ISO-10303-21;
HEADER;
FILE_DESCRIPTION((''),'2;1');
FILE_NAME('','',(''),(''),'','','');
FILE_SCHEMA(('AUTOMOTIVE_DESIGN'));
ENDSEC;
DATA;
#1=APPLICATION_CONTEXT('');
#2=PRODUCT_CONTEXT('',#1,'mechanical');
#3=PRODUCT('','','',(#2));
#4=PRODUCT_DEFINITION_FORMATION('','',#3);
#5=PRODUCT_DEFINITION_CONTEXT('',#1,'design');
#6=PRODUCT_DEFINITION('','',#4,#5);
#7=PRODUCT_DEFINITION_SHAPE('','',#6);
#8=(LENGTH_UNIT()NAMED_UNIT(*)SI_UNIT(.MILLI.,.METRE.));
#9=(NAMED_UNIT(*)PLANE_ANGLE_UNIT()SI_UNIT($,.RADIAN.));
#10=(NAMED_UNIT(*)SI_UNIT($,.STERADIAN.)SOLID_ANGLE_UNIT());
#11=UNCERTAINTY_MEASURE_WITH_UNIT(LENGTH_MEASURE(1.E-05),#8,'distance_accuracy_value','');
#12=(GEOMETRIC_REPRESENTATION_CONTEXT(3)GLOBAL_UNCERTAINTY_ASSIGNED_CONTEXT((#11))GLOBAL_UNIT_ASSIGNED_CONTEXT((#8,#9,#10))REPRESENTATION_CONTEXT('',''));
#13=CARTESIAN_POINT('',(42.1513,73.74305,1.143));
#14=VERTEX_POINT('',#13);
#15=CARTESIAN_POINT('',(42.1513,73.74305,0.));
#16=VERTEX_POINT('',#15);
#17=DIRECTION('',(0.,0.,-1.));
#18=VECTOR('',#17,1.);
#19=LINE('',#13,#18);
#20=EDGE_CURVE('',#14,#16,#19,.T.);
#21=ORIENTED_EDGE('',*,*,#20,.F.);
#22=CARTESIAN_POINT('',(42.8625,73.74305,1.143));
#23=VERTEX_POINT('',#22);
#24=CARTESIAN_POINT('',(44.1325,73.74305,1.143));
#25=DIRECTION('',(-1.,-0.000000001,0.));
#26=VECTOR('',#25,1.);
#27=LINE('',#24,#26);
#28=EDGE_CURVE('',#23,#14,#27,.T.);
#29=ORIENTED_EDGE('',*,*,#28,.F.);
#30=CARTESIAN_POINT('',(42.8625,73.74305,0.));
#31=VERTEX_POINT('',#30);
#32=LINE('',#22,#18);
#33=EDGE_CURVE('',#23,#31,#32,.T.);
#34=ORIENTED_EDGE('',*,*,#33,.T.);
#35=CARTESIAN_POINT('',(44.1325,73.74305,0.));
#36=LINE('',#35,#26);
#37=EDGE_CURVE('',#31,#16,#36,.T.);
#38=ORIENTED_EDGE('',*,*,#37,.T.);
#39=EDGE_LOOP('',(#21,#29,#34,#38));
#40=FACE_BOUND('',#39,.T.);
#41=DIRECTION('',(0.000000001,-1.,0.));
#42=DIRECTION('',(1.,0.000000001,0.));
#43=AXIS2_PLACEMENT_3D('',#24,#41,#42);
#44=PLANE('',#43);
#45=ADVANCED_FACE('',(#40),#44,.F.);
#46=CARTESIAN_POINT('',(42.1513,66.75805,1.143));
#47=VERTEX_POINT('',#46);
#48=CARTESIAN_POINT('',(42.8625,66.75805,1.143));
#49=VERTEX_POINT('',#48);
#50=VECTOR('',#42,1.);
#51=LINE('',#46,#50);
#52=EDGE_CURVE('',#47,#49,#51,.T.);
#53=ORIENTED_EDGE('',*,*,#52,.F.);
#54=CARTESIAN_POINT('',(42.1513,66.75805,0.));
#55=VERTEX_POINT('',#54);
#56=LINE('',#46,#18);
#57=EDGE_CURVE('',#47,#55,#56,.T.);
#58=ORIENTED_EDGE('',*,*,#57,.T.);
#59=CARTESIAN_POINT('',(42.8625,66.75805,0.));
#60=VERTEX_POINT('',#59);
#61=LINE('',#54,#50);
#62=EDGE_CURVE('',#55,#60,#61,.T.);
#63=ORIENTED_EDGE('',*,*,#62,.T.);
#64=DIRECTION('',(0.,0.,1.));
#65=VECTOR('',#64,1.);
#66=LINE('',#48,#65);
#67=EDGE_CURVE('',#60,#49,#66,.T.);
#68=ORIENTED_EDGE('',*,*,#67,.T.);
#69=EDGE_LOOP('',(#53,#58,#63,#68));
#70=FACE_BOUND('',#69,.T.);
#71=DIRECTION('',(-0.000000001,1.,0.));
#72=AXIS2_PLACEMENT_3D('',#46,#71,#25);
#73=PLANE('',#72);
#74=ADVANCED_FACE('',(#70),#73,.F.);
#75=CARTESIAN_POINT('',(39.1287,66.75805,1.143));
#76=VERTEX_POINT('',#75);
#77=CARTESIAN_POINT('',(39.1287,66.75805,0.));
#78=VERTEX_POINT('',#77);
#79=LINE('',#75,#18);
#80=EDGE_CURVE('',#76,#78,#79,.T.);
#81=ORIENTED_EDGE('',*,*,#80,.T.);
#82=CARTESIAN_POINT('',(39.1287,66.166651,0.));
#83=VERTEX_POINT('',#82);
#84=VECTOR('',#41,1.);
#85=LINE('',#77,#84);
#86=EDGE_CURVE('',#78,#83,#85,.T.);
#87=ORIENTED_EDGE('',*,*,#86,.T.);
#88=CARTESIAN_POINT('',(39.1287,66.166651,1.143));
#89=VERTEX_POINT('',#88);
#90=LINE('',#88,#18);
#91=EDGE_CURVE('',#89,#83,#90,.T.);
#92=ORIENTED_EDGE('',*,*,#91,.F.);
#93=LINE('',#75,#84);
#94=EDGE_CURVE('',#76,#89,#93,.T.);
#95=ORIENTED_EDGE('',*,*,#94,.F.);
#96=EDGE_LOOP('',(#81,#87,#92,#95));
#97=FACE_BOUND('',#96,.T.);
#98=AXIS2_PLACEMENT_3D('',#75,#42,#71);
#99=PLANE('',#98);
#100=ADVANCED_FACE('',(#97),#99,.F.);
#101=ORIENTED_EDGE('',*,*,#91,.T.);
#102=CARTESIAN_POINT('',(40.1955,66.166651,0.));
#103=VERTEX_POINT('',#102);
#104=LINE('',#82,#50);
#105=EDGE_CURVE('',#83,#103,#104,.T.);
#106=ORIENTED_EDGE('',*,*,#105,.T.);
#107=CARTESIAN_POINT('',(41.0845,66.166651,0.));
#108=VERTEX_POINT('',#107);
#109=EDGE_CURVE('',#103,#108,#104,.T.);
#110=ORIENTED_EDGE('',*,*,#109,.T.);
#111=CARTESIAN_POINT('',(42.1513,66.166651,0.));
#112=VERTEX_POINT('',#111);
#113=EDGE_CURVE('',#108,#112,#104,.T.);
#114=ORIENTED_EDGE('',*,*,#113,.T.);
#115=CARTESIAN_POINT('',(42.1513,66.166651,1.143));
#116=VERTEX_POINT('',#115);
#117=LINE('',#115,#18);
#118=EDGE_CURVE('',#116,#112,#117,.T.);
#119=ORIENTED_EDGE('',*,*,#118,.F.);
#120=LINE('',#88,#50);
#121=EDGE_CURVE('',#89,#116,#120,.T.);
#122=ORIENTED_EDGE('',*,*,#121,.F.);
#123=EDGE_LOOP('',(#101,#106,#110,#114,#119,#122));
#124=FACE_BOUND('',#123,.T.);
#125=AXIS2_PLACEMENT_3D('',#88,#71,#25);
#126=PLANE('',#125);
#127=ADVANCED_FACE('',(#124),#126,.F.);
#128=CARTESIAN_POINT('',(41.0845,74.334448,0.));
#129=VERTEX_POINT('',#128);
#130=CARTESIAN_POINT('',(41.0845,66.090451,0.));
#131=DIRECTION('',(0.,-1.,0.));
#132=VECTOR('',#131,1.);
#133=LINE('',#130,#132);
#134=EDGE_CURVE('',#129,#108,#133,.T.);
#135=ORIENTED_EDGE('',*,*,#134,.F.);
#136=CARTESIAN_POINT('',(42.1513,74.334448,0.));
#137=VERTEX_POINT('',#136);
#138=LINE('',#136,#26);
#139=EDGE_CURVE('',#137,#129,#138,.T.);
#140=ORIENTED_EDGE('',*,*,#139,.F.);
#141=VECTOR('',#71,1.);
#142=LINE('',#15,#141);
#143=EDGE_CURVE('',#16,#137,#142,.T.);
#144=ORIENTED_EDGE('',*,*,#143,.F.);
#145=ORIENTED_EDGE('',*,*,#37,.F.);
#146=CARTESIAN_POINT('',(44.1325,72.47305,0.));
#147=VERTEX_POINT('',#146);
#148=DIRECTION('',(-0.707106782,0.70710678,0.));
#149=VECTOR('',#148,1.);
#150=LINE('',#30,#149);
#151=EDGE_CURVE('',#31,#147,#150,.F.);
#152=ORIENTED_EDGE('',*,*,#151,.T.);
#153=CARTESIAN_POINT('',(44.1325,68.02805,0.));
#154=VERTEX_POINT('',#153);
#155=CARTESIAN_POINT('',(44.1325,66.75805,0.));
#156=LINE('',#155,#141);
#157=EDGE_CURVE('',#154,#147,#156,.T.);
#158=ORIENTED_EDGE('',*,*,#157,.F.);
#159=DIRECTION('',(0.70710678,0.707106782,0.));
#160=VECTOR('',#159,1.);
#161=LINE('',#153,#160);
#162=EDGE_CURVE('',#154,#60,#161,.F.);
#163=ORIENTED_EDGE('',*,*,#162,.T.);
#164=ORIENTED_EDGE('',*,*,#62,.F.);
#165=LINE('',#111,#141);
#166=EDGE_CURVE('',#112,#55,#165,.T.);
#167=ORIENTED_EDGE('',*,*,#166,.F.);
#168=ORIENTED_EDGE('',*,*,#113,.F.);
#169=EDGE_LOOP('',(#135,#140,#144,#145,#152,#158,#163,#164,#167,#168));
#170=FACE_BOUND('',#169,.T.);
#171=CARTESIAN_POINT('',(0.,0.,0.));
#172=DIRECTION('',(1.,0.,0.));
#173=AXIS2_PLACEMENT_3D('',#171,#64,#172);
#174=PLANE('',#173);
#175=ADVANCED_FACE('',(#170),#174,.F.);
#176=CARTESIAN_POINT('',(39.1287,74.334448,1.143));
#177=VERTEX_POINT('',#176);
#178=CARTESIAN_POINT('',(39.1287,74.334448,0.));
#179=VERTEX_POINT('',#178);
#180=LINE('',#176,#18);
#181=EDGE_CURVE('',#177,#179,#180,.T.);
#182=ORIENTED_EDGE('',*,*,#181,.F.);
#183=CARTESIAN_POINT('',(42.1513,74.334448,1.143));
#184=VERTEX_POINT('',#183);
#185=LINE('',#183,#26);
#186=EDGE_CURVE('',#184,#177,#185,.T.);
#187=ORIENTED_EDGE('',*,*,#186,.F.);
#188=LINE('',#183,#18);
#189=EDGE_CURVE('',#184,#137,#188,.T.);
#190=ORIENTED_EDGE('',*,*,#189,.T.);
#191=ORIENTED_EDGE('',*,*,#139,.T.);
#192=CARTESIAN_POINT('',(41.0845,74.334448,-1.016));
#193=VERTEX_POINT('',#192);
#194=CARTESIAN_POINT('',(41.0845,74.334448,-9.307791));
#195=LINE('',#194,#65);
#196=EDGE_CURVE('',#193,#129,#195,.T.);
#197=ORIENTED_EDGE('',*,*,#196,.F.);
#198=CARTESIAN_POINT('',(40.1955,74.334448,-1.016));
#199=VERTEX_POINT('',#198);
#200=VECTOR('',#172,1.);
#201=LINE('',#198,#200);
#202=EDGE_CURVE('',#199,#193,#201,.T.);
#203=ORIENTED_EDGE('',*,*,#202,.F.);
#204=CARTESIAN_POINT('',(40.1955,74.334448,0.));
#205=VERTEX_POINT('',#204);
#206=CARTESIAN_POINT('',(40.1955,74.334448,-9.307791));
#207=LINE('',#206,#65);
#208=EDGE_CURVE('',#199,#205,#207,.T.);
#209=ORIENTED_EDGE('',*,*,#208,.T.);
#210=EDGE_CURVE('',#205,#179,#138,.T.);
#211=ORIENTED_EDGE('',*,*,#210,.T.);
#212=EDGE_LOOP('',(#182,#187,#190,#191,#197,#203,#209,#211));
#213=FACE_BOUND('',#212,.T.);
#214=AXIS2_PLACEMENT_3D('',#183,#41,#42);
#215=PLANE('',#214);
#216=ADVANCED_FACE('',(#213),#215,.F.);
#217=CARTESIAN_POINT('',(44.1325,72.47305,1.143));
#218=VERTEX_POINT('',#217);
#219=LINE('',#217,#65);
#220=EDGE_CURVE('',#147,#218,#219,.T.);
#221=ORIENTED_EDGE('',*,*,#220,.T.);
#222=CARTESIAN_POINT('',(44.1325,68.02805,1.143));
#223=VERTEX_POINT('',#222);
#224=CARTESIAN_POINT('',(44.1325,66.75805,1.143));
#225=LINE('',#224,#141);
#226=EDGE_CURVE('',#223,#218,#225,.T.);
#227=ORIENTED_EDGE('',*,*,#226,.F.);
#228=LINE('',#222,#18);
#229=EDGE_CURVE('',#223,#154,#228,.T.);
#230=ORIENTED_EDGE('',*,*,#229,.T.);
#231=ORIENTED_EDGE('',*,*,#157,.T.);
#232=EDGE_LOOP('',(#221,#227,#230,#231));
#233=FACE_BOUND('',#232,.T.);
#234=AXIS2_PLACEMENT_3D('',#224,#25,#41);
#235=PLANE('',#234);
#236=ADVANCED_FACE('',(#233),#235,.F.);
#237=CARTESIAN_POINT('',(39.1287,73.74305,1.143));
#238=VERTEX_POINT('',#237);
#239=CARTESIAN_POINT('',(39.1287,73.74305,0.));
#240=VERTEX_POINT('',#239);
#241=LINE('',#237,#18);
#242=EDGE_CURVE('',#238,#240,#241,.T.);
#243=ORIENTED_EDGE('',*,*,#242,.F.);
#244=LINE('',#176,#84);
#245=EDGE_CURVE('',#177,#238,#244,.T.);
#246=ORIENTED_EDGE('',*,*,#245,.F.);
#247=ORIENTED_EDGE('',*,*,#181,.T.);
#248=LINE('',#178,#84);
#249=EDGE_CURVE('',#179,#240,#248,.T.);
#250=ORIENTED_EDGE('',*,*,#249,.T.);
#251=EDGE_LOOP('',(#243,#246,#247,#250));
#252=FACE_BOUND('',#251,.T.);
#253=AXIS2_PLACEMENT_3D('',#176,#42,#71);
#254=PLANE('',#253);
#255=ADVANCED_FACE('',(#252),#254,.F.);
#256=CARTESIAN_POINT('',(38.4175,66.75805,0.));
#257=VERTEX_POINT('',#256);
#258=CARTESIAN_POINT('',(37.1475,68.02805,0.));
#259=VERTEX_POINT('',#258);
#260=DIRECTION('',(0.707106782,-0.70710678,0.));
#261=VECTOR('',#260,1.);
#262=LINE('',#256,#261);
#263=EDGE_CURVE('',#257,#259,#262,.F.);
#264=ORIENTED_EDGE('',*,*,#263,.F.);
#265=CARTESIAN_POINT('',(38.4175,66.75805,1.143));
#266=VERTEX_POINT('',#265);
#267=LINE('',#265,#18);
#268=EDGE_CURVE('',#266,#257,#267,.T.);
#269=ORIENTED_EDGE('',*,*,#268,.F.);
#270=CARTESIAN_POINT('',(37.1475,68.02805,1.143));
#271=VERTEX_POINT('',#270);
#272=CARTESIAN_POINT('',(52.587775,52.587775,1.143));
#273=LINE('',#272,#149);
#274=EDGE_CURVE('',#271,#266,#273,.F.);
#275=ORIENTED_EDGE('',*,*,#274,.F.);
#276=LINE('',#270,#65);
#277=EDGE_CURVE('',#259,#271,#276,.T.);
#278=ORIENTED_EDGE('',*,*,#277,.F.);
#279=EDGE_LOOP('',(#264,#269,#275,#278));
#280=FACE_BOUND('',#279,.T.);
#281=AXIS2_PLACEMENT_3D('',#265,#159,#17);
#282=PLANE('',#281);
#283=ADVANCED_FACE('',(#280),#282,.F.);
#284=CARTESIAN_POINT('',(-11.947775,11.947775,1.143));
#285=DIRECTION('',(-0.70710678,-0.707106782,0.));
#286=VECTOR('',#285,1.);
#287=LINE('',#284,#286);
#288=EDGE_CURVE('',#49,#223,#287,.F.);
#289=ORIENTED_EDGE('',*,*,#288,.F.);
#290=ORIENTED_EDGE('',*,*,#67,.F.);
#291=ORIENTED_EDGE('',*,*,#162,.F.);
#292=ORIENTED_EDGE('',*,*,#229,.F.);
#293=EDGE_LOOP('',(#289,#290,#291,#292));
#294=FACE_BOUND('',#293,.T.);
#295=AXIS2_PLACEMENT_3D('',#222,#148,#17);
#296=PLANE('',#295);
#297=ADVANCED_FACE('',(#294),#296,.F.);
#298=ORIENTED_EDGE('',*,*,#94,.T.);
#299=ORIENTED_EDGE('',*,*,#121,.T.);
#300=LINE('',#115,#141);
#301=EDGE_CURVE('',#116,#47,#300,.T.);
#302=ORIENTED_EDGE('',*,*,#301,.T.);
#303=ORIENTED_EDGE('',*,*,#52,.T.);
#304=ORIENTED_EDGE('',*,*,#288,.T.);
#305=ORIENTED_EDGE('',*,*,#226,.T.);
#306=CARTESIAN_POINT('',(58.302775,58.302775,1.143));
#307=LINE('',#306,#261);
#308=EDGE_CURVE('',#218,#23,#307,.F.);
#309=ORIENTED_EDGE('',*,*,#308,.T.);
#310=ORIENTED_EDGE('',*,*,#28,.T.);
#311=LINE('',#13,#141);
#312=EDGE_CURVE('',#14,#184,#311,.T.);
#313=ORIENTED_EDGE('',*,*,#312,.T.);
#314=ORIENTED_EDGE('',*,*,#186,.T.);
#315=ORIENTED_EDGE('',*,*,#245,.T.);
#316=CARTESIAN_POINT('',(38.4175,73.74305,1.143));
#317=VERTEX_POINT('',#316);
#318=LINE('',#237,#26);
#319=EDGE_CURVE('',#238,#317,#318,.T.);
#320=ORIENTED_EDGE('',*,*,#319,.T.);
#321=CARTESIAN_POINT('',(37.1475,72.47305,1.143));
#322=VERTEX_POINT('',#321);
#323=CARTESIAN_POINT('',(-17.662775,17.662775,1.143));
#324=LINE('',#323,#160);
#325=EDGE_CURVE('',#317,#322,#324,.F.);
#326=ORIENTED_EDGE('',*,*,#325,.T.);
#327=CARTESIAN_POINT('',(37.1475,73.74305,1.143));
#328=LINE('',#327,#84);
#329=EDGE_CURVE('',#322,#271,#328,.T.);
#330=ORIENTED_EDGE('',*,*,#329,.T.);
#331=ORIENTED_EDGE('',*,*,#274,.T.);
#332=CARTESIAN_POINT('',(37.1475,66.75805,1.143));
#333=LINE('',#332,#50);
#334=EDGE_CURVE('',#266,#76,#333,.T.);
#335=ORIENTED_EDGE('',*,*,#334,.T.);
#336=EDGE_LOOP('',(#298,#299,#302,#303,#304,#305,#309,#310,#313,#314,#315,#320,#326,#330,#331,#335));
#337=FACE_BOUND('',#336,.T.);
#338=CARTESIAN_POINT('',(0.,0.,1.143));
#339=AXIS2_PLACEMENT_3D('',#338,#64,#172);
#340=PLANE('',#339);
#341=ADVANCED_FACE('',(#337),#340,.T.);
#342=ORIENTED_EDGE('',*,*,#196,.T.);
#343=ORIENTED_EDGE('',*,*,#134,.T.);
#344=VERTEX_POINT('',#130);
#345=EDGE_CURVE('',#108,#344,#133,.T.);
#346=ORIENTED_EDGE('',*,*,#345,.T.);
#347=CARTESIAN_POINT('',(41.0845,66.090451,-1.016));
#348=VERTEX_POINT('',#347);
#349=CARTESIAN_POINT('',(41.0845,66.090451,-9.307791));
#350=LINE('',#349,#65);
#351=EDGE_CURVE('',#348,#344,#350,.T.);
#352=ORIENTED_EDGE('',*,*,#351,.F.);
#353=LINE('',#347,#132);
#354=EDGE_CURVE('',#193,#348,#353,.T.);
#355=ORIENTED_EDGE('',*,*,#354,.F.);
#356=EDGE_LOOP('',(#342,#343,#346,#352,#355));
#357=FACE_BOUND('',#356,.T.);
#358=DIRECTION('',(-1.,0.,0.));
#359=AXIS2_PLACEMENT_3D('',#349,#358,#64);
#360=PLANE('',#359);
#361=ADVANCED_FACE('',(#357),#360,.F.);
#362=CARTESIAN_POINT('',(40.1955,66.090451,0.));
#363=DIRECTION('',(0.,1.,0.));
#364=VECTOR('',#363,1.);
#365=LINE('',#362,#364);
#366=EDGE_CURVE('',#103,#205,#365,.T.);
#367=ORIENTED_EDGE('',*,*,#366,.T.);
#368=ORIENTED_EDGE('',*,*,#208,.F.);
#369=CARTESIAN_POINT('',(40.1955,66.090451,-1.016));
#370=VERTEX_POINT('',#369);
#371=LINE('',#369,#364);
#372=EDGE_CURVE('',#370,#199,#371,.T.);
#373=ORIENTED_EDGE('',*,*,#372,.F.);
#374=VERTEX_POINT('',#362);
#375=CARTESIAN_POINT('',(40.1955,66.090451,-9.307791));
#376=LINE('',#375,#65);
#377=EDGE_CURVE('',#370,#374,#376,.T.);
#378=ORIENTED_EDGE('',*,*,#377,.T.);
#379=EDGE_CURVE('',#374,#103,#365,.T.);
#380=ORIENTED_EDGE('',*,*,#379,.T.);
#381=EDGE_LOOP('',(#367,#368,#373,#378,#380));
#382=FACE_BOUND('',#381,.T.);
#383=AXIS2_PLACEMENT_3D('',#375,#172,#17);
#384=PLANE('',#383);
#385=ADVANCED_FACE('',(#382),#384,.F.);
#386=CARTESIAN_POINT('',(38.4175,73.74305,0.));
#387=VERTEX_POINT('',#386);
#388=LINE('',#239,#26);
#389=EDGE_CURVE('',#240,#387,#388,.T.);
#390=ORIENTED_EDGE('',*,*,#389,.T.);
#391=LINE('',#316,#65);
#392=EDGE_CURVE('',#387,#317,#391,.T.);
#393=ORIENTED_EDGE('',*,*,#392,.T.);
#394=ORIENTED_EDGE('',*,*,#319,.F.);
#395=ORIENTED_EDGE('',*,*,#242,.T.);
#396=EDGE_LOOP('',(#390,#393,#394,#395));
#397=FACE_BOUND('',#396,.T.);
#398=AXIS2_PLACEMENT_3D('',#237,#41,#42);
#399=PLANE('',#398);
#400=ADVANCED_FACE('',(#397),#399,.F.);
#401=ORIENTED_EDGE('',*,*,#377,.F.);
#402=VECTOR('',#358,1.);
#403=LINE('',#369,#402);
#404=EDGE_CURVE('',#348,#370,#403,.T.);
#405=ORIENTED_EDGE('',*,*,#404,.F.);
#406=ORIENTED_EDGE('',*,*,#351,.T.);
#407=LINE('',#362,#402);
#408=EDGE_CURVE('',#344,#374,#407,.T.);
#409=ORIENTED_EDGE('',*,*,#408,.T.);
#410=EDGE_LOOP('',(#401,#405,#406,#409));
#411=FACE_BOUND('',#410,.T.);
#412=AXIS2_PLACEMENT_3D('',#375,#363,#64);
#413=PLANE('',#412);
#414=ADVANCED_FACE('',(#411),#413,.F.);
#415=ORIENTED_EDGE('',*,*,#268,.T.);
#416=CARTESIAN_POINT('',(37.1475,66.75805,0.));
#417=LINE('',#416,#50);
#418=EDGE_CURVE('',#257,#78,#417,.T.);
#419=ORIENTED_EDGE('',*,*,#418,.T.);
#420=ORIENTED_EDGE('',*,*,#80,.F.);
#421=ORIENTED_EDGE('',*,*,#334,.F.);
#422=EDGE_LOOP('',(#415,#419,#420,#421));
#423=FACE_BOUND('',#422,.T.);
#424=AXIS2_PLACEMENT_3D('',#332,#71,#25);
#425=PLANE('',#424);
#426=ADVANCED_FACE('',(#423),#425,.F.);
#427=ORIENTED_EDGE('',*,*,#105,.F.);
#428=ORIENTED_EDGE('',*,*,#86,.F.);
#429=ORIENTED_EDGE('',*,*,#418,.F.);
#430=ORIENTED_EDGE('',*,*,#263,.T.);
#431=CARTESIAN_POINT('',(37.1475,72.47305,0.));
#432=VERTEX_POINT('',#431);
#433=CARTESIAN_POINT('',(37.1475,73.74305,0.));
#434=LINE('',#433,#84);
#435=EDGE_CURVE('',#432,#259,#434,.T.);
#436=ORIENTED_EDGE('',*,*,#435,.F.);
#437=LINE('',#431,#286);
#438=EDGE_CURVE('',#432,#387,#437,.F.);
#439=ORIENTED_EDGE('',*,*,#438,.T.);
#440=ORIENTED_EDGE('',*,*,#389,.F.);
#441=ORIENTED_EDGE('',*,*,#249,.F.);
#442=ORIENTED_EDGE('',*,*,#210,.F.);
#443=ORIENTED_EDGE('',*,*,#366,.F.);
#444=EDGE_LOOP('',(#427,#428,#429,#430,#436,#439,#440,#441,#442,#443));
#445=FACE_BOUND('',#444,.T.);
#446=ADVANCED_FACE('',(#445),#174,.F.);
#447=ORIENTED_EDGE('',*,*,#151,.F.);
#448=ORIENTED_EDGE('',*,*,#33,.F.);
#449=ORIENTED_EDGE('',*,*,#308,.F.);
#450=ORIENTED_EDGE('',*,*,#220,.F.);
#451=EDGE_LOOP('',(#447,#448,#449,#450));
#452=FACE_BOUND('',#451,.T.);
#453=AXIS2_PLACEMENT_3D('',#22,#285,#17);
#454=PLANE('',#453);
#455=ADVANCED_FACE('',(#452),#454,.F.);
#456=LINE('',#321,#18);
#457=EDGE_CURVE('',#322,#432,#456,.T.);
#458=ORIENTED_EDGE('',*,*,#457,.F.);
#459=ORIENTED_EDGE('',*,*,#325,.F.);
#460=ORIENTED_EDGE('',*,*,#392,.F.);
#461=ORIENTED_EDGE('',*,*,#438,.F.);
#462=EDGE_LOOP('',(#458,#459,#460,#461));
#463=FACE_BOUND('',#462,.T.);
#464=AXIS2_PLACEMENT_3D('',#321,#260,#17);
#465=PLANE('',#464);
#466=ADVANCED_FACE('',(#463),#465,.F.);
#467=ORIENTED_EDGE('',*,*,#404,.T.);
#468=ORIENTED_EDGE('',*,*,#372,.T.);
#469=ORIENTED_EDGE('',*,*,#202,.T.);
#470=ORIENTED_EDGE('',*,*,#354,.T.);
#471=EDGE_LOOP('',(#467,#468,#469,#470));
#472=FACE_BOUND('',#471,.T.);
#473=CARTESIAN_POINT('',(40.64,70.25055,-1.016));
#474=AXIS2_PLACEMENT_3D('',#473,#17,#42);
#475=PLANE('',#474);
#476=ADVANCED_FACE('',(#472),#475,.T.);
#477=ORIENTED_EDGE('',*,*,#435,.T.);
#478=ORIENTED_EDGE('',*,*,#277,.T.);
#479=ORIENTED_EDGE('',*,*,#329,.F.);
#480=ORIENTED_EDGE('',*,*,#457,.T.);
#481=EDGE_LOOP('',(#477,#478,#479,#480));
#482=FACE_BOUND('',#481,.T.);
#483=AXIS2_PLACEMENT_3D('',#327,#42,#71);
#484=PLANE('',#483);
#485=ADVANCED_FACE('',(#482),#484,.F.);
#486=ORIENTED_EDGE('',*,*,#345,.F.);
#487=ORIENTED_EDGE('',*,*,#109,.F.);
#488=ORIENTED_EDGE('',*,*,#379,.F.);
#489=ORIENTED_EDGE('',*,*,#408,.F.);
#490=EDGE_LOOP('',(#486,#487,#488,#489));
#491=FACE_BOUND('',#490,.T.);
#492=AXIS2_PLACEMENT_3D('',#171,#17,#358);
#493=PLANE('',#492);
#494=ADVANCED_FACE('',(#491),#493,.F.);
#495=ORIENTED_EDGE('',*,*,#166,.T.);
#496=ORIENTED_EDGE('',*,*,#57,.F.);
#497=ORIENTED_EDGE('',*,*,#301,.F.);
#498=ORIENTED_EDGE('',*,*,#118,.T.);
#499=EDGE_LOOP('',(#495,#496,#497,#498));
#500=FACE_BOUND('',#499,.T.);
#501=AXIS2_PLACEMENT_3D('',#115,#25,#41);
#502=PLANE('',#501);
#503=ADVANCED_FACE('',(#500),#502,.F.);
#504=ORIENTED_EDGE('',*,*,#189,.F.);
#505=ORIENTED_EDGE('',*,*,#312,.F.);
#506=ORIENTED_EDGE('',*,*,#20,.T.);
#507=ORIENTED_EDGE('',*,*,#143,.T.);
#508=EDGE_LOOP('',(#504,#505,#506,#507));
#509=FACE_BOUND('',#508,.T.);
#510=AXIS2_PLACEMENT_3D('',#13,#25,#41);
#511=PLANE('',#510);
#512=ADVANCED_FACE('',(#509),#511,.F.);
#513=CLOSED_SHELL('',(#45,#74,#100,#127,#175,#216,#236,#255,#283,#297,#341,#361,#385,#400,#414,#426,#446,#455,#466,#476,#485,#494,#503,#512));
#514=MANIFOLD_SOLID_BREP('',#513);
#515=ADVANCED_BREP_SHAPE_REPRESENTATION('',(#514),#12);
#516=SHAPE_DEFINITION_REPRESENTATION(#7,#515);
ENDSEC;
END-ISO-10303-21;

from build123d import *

# Parameters (mm, degrees)
BOSS_EXTRUDE1_DEPTH = 1.143
SKETCH2_W           = 0.889
SKETCH2_H           = 8.243996394
BOSS_EXTRUDE2_DEPTH = 1.016
CHAMFER1_SIZE       = 1.27


with BuildPart() as part:
    # Sketch1 → Boss-Extrude1 (new body)
    with BuildSketch(Plane.XY):
        Polygon((37.147499812, 66.75804972), (39.128699766, 66.758049722), (39.128699766, 66.16665148), (42.151299766, 66.166651485), (42.151299766, 66.758049727), (44.132499719, 66.758049729), (44.13249971, 73.743049637), (42.151299756, 73.743049634), (42.151299755, 74.334447876), (39.128699755, 74.334447872), (39.128699756, 73.74304963), (37.147499802, 73.743049628), align=None)
    extrude(amount=BOSS_EXTRUDE1_DEPTH)

    # Sketch2 → Boss-Extrude2 (add)
    with BuildSketch(Plane(origin=(0, 0, 0), x_dir=(-1, 0, 0), z_dir=(0, 0, -1))):
        with Locations((-40.639999755, 70.212449679)):
            Rectangle(SKETCH2_W, SKETCH2_H)
    extrude(amount=BOSS_EXTRUDE2_DEPTH)

    # Chamfer1
    chamfer1_edges = [part.edges().sort_by_distance(p)[0] for p in [
        (37.147499802, 73.743049628, 0.5715),
        (44.13249971, 73.743049637, 0.5715),
        (44.132499719, 66.758049729, 0.5715),
        (37.147499812, 66.75804972, 0.5715),
    ]]
    chamfer(chamfer1_edges, length=CHAMFER1_SIZE)


solid = part.part
